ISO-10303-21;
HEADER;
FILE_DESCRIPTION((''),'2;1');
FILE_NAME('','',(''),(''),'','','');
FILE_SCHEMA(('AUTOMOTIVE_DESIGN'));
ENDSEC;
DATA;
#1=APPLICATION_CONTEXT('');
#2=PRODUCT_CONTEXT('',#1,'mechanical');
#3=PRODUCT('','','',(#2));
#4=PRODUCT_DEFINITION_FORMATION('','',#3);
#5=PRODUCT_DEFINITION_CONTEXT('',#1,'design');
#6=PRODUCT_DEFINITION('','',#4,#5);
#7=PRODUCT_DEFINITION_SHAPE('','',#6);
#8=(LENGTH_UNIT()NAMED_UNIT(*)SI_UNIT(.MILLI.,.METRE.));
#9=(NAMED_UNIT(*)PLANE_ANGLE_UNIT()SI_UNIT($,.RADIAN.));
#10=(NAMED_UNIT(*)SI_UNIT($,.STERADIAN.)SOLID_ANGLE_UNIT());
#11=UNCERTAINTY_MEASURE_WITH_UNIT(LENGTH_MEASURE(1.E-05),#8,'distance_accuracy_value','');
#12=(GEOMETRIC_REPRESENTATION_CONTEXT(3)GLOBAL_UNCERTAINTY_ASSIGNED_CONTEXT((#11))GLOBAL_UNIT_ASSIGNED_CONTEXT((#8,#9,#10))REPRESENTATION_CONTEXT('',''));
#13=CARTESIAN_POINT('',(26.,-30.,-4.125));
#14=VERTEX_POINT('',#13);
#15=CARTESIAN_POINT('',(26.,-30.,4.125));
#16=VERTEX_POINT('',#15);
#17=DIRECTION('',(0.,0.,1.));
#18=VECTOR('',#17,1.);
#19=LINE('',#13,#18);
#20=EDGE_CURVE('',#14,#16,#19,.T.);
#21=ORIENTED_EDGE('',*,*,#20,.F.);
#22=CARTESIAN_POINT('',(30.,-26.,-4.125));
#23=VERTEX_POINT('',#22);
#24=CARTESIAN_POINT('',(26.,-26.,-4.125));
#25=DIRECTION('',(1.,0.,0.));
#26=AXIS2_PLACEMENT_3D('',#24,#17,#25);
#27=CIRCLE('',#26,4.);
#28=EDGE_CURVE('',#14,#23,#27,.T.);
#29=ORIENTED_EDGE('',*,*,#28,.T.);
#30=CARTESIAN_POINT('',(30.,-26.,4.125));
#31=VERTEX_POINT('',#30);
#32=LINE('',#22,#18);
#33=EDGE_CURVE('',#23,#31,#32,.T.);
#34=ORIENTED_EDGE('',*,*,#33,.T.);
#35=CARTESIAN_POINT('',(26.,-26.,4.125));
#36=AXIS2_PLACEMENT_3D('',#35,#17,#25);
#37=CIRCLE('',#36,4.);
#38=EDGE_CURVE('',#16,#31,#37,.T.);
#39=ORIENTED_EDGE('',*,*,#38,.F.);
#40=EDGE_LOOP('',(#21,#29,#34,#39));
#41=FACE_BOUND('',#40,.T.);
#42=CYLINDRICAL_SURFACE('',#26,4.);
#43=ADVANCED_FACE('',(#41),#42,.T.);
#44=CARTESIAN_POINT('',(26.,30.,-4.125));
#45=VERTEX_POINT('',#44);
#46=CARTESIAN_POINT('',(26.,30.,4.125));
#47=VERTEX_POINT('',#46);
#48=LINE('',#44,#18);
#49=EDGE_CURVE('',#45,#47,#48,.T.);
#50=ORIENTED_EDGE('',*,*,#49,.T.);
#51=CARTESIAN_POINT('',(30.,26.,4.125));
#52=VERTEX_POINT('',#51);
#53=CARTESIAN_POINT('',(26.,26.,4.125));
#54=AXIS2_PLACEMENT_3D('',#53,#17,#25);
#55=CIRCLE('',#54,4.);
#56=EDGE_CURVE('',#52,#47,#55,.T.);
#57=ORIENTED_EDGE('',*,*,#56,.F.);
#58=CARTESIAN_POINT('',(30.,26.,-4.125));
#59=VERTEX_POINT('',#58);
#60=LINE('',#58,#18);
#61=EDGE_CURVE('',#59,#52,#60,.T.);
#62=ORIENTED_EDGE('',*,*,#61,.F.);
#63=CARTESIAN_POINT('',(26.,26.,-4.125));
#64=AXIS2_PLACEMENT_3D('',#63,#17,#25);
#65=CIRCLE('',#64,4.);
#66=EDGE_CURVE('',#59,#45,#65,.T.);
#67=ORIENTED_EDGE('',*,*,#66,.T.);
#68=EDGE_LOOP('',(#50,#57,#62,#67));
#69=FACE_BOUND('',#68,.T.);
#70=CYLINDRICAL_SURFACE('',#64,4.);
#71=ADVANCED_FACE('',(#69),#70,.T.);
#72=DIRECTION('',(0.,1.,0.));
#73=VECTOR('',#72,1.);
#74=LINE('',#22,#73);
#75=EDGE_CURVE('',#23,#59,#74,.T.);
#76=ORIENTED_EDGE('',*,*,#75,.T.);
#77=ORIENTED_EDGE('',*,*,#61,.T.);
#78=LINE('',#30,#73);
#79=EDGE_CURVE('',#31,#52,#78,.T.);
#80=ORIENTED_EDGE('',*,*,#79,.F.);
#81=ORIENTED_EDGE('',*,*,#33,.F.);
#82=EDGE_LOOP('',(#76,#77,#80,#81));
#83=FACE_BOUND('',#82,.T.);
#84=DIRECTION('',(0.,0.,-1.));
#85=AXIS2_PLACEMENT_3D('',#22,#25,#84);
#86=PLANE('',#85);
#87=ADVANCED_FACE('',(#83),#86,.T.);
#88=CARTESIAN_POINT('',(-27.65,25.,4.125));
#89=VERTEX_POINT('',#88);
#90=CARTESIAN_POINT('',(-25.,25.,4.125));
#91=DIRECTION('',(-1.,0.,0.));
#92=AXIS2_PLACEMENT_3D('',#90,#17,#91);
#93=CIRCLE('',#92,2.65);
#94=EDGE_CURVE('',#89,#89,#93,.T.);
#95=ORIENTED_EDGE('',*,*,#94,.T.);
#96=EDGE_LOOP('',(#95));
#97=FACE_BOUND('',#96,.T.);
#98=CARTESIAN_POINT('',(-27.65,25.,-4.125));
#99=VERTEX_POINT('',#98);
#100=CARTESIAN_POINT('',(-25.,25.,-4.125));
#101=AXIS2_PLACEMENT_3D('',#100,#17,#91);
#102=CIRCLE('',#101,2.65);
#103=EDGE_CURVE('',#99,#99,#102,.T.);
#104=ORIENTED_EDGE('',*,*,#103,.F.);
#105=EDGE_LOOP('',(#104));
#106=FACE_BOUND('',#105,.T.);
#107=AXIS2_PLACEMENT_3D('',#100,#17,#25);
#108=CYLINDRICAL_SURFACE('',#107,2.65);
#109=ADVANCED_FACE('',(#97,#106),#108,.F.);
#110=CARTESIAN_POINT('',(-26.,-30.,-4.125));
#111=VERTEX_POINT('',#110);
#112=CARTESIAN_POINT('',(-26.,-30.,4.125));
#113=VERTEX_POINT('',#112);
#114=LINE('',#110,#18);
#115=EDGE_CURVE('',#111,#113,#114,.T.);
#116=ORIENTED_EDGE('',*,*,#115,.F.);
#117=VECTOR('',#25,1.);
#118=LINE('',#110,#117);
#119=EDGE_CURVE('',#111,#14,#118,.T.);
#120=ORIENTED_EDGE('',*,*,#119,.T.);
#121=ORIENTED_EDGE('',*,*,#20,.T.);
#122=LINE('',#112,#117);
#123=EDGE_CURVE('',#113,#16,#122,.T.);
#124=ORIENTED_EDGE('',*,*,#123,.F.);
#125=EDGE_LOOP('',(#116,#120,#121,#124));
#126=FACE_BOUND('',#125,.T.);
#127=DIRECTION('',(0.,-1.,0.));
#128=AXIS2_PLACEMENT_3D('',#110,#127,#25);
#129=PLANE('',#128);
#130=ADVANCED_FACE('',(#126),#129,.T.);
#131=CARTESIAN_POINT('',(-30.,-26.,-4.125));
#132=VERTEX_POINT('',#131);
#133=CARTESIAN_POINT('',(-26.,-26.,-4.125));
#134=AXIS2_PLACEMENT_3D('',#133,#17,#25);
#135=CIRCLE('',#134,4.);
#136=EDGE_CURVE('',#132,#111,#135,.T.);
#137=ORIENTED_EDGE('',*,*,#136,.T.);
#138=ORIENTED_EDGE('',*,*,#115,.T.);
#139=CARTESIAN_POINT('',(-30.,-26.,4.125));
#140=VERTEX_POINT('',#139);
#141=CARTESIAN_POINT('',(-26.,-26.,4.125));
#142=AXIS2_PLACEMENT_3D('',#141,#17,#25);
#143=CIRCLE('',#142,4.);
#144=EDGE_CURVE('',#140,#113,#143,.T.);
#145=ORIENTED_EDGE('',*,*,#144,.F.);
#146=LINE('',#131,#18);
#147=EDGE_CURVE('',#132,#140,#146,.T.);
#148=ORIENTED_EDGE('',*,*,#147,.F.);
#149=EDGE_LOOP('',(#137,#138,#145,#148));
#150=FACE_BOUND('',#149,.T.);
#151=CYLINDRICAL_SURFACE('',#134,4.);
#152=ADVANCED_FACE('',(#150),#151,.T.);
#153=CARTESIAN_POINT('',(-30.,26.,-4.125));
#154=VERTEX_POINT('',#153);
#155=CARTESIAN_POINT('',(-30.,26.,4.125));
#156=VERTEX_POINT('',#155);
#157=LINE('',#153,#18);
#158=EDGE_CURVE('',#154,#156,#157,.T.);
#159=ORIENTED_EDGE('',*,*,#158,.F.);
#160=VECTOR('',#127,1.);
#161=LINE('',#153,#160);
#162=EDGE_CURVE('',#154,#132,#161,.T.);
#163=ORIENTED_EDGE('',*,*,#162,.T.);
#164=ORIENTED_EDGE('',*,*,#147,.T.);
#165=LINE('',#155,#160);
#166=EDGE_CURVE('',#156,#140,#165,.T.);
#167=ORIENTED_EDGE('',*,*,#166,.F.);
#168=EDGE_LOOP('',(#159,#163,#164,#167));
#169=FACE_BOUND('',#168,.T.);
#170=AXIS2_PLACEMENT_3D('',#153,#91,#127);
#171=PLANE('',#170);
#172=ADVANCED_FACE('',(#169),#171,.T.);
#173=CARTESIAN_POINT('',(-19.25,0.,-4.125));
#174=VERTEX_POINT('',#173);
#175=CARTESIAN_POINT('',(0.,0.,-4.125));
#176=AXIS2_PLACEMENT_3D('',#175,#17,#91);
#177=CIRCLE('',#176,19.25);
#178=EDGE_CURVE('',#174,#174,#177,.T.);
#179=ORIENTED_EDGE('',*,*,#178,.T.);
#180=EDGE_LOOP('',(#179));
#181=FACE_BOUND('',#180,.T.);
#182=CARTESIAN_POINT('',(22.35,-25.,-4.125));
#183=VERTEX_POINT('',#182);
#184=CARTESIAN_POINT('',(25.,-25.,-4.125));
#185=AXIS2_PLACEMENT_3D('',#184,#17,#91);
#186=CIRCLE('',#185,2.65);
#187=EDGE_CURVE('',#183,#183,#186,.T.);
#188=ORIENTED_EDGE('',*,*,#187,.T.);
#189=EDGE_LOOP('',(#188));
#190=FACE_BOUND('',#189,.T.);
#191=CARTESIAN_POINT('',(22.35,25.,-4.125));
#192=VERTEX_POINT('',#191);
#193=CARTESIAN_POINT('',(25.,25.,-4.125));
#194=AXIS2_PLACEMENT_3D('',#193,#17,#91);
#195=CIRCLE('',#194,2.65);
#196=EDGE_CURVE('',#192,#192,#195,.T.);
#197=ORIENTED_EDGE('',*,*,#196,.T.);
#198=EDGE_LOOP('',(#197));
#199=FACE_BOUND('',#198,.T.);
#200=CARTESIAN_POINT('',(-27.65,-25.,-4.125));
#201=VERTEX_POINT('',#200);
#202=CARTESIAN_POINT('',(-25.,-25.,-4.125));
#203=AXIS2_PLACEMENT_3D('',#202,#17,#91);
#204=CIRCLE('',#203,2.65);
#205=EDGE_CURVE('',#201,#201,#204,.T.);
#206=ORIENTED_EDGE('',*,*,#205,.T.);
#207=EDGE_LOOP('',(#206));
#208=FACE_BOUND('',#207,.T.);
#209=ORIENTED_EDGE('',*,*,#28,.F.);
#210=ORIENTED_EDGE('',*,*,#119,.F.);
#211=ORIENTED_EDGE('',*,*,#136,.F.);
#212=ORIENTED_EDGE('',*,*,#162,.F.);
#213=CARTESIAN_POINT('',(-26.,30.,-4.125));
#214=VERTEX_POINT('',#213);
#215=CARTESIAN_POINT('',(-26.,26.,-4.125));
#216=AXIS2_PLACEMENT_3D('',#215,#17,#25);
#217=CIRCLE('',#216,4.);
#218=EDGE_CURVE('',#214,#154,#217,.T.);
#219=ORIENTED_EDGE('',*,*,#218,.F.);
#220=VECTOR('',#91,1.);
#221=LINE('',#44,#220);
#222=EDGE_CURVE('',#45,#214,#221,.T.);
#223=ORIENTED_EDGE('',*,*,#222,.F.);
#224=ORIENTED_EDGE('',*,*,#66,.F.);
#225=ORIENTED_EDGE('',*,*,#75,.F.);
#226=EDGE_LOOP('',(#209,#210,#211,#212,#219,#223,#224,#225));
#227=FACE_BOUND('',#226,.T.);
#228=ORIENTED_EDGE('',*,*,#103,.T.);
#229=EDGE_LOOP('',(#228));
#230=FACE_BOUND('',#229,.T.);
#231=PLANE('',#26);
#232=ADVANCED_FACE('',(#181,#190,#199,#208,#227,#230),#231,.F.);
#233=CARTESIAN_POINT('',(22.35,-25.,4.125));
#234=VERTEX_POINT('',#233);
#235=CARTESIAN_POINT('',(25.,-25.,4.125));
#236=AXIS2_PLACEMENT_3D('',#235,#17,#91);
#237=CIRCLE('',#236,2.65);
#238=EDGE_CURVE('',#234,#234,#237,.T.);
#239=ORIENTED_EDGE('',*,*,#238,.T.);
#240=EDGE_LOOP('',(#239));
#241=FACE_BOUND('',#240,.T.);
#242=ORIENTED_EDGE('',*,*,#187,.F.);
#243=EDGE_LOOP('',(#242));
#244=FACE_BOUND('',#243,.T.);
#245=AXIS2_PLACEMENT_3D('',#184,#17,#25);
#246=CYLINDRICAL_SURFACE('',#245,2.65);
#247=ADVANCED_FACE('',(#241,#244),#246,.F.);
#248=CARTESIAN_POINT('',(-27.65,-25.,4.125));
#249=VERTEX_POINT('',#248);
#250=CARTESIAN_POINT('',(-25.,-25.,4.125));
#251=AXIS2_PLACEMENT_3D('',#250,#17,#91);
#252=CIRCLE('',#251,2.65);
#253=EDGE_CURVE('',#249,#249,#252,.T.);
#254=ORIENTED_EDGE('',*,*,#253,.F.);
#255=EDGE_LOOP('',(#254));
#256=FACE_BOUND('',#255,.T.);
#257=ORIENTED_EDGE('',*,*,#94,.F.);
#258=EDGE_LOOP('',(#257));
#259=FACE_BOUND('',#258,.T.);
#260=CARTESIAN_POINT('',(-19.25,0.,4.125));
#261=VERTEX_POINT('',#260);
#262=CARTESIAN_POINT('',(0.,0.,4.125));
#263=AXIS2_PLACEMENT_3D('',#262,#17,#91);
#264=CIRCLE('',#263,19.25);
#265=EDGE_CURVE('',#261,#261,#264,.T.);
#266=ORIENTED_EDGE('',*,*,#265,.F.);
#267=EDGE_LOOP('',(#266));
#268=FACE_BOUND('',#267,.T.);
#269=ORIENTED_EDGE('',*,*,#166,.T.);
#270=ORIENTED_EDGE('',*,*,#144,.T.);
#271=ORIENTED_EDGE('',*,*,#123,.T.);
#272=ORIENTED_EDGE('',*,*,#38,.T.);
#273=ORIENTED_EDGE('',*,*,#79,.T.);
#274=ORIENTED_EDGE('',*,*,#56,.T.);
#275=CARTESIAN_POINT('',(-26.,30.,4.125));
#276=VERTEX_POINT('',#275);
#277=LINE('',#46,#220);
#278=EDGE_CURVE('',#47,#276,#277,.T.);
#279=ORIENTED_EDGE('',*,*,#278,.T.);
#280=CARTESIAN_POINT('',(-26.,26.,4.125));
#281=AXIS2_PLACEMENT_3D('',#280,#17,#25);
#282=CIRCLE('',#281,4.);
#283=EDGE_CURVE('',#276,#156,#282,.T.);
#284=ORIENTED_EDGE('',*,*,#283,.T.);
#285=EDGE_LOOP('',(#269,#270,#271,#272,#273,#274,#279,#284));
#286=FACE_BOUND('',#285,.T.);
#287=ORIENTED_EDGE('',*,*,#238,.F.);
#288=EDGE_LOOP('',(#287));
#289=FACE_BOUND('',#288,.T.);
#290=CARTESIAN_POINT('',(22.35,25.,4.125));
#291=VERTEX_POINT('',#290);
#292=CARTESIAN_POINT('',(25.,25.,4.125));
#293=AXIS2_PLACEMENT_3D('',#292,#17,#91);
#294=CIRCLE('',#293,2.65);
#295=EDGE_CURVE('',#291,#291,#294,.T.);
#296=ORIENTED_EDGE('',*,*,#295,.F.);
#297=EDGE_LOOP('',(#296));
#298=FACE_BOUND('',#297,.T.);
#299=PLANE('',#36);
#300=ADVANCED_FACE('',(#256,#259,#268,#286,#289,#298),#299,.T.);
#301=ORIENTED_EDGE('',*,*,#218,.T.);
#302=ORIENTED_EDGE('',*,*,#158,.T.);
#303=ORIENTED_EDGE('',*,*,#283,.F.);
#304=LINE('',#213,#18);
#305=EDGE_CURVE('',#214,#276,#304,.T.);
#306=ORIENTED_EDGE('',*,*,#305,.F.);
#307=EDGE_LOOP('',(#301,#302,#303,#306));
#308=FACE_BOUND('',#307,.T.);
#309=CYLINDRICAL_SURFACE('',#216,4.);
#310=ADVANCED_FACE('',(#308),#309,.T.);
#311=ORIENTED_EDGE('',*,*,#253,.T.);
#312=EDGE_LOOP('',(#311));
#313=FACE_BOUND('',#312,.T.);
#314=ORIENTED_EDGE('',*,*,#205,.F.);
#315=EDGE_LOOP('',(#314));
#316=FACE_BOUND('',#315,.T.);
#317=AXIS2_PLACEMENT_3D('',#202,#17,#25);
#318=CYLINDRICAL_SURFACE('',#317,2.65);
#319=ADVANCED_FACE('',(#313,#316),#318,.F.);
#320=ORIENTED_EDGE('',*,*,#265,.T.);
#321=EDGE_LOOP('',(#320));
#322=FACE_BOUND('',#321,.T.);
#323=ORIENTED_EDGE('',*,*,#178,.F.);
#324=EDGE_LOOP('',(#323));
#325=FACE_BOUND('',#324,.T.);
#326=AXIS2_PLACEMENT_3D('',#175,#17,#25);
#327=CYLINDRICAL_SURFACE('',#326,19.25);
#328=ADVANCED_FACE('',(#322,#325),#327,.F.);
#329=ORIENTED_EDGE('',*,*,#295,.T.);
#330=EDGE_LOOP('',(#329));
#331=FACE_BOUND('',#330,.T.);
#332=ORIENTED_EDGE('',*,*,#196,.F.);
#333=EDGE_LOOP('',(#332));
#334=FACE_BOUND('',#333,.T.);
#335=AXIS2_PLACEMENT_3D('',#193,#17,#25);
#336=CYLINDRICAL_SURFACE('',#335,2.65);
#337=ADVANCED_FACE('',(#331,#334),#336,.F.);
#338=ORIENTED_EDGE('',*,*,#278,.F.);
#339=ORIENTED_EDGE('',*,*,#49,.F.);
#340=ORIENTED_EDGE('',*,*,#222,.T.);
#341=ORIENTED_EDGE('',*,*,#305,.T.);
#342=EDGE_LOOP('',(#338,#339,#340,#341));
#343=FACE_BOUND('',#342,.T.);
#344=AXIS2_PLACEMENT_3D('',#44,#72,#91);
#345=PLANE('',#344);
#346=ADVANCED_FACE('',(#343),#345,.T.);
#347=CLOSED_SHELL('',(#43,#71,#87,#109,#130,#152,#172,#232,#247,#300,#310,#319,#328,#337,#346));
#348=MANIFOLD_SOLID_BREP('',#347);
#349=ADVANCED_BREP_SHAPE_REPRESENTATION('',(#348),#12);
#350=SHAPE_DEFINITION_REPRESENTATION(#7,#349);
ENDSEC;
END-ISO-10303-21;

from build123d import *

# Parameters (mm, degrees)
SKETCH1_R           = 19.25
SKETCH1_R_2         = 2.65
BOSS_EXTRUDE1_DEPTH = 4.125


with BuildPart() as part:
    # Sketch1 → Boss-Extrude1 (new, symmetric)
    with BuildSketch(Plane.XY):
        with BuildLine():
            Line((30, -26), (30, 26))
            ThreePointArc((30, 26), (28.828427125, 28.828427125), (26, 30))
            Line((26, 30), (-26, 30))
            ThreePointArc((-26, 30), (-28.828427125, 28.828427125), (-30, 26))
            Line((-30, 26), (-30, -26))
            ThreePointArc((-30, -26), (-28.828427125, -28.828427125), (-26, -30))
            Line((-26, -30), (26, -30))
            ThreePointArc((26, -30), (28.828427125, -28.828427125), (30, -26))
        make_face()
        with Locations(Location((0, 0, 0), (0, 0, 180))):
            Circle(SKETCH1_R, mode=Mode.SUBTRACT)
        with Locations(Location((-25, -25, 0), (0, 0, 180))):
            Circle(SKETCH1_R_2, mode=Mode.SUBTRACT)
        with Locations(Location((-25, 25, 0), (0, 0, 180))):
            Circle(SKETCH1_R_2, mode=Mode.SUBTRACT)
        with Locations(Location((25, -25, 0), (0, 0, 180))):
            Circle(SKETCH1_R_2, mode=Mode.SUBTRACT)
        with Locations(Location((25, 25, 0), (0, 0, 180))):
            Circle(SKETCH1_R_2, mode=Mode.SUBTRACT)
    extrude(amount=BOSS_EXTRUDE1_DEPTH, both=True)


solid = part.part
